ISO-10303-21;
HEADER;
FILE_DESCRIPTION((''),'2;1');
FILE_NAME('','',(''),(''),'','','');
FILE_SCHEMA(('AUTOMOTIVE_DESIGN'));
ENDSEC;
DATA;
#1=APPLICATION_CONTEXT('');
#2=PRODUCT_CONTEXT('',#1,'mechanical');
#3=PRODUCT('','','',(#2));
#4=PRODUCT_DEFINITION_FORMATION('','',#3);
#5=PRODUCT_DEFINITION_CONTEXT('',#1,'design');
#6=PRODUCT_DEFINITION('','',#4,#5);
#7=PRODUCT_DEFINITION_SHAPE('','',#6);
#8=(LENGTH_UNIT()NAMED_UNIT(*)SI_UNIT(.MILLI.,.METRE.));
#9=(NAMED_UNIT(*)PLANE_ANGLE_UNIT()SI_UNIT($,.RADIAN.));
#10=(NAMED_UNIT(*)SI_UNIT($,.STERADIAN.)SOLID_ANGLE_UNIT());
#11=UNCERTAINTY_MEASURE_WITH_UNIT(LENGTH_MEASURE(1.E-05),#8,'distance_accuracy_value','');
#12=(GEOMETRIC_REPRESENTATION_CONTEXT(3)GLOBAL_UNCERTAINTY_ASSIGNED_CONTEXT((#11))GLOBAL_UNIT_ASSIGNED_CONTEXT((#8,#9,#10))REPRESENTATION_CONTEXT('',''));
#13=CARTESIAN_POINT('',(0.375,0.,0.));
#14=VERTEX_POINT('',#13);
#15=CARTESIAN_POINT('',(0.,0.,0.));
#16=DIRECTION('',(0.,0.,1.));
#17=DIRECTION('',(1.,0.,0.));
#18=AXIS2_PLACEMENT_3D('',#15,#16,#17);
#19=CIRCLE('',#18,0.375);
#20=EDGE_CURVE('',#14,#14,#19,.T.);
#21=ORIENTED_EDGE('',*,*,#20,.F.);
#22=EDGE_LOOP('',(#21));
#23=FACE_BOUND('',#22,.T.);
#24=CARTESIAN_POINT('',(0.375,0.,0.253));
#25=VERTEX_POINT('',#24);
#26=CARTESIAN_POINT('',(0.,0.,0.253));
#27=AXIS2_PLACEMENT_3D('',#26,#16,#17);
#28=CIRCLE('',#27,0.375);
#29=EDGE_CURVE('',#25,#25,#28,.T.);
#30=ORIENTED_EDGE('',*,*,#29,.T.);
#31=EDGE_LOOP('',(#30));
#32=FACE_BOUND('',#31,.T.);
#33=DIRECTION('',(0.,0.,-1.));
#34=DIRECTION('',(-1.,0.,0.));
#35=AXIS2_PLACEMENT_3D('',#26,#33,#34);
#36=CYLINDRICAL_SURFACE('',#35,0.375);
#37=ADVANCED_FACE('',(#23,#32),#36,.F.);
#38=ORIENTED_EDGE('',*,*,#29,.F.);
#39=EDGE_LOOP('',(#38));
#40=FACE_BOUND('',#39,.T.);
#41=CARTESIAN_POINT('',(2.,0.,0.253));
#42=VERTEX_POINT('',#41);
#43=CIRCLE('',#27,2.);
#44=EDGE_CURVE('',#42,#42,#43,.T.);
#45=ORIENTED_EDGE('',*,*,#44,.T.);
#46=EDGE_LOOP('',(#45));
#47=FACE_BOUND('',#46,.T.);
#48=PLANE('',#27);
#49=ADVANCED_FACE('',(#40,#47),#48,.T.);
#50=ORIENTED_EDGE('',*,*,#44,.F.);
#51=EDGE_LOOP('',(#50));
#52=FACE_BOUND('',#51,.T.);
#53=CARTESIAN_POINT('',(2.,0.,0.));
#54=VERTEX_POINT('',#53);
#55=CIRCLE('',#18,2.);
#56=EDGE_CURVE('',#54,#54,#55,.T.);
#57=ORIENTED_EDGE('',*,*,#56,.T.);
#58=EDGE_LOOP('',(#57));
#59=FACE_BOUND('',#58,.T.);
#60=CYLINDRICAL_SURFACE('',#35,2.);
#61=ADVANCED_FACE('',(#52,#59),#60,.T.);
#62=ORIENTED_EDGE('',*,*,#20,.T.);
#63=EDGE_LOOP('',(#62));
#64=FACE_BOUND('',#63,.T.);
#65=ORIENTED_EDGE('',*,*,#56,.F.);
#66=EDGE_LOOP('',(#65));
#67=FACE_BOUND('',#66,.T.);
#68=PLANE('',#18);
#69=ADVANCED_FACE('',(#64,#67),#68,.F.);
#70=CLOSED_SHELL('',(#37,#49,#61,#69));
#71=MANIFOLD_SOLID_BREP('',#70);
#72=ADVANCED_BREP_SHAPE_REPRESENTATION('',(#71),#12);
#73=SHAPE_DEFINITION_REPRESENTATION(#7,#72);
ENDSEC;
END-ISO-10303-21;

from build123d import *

# Parameters (mm, degrees)
CROQUIS1_R              = 2
CROQUIS1_R_2            = 0.375
SALIENTE_EXTRUIR1_DEPTH = 0.253


with BuildPart() as part:
    # Croquis1 → Saliente-Extruir1 (new body)
    with BuildSketch(Plane.XY):
        Circle(CROQUIS1_R)
        Circle(CROQUIS1_R_2, mode=Mode.SUBTRACT)
    extrude(amount=SALIENTE_EXTRUIR1_DEPTH)


solid = part.part
